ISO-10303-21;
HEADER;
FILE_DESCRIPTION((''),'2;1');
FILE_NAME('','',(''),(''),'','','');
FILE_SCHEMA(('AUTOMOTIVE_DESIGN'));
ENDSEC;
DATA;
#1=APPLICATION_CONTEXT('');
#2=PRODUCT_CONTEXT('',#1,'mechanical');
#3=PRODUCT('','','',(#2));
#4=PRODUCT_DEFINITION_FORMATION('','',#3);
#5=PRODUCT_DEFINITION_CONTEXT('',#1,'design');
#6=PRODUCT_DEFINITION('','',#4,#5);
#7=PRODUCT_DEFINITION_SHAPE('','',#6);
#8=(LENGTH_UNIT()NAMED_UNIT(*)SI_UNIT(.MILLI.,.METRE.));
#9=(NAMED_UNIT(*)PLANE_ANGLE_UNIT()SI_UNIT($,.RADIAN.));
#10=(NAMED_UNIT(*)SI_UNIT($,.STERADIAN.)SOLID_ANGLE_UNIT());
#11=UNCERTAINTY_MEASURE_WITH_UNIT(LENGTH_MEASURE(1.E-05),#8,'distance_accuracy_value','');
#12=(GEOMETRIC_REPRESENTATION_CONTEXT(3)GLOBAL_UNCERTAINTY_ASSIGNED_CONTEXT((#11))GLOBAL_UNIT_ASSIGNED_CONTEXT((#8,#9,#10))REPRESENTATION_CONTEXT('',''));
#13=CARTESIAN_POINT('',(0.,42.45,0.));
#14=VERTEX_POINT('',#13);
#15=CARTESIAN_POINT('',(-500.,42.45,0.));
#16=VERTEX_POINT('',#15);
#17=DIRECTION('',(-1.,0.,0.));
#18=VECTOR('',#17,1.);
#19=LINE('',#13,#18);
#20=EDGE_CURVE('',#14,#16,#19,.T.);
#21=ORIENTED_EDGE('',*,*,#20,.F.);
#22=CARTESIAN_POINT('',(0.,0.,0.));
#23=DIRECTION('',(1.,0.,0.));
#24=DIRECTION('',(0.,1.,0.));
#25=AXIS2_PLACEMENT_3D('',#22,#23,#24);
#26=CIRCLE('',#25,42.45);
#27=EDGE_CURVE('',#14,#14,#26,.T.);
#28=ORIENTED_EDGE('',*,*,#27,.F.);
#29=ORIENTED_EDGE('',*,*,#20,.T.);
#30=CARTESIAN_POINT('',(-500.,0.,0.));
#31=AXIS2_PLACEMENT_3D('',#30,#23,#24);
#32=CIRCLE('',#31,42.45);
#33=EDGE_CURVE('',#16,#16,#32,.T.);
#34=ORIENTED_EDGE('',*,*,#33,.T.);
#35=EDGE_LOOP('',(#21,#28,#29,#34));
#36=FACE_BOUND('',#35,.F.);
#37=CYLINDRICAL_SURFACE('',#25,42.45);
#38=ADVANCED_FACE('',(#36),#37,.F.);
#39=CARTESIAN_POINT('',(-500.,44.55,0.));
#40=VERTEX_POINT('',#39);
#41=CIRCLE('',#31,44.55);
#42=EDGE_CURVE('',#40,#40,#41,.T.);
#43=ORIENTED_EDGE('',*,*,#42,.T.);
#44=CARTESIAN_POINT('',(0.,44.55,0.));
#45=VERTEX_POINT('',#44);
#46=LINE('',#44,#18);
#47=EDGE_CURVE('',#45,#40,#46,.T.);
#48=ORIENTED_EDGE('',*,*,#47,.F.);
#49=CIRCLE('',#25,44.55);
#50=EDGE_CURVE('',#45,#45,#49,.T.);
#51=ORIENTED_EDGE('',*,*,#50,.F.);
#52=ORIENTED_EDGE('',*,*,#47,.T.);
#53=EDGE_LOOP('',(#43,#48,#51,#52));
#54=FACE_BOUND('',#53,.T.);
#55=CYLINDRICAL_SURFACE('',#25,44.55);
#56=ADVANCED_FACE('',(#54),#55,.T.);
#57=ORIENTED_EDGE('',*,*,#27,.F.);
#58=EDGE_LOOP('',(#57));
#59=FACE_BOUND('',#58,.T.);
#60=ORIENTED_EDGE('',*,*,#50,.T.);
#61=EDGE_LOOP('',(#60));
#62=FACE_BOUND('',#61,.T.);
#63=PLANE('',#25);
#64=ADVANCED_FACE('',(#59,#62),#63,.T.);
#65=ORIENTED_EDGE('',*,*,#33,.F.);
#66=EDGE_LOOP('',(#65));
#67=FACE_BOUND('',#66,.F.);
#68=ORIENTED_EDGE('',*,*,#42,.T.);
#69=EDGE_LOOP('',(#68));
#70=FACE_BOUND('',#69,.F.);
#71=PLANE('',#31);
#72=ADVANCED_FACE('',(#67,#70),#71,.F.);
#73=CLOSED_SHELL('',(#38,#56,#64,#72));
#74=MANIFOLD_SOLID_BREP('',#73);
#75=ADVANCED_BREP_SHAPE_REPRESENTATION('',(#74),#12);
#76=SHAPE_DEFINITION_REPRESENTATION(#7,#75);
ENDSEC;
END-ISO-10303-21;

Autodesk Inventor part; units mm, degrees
ref_plane "YZ Plane" through (0, 0, 0) normal (1, 0, 0) x (0, 1, 0)
ref_plane "XZ Plane" through (0, 0, 0) normal (0, 1, 0) x (-1, 0, 0)
ref_plane "XY Plane" through (0, 0, 0) normal (0, 0, 1) x (1, 0, 0)
sketch "Sketch1" plane through (0, 0, 0) normal (1, 0, 0) x (0, 1, 0)
  circle A0 centre (0, 0) radius 44.55
  circle A1 centre (0, 0) radius 42.45
  dimension "d0" = 89.1
  dimension "d1" = 84.9
extrude "Extrusion1" add sketch "Sketch1" against normal blind 500
equation "\"d0\" = OD"
equation "\"d1\" = OD - 2 * t"
equation "\"d2\" = L"
equation "\"OD\" = 89.1"
equation "\"t\" = 2.1"
equation "\"L\" = PL"
equation "\"ID\" = 84.9"
equation "\"PL\" = 500"
equation "\"Size_Designation\" = 1.2345"
properties part number "MSC 104 TUBE" material "Stainless Steel"
